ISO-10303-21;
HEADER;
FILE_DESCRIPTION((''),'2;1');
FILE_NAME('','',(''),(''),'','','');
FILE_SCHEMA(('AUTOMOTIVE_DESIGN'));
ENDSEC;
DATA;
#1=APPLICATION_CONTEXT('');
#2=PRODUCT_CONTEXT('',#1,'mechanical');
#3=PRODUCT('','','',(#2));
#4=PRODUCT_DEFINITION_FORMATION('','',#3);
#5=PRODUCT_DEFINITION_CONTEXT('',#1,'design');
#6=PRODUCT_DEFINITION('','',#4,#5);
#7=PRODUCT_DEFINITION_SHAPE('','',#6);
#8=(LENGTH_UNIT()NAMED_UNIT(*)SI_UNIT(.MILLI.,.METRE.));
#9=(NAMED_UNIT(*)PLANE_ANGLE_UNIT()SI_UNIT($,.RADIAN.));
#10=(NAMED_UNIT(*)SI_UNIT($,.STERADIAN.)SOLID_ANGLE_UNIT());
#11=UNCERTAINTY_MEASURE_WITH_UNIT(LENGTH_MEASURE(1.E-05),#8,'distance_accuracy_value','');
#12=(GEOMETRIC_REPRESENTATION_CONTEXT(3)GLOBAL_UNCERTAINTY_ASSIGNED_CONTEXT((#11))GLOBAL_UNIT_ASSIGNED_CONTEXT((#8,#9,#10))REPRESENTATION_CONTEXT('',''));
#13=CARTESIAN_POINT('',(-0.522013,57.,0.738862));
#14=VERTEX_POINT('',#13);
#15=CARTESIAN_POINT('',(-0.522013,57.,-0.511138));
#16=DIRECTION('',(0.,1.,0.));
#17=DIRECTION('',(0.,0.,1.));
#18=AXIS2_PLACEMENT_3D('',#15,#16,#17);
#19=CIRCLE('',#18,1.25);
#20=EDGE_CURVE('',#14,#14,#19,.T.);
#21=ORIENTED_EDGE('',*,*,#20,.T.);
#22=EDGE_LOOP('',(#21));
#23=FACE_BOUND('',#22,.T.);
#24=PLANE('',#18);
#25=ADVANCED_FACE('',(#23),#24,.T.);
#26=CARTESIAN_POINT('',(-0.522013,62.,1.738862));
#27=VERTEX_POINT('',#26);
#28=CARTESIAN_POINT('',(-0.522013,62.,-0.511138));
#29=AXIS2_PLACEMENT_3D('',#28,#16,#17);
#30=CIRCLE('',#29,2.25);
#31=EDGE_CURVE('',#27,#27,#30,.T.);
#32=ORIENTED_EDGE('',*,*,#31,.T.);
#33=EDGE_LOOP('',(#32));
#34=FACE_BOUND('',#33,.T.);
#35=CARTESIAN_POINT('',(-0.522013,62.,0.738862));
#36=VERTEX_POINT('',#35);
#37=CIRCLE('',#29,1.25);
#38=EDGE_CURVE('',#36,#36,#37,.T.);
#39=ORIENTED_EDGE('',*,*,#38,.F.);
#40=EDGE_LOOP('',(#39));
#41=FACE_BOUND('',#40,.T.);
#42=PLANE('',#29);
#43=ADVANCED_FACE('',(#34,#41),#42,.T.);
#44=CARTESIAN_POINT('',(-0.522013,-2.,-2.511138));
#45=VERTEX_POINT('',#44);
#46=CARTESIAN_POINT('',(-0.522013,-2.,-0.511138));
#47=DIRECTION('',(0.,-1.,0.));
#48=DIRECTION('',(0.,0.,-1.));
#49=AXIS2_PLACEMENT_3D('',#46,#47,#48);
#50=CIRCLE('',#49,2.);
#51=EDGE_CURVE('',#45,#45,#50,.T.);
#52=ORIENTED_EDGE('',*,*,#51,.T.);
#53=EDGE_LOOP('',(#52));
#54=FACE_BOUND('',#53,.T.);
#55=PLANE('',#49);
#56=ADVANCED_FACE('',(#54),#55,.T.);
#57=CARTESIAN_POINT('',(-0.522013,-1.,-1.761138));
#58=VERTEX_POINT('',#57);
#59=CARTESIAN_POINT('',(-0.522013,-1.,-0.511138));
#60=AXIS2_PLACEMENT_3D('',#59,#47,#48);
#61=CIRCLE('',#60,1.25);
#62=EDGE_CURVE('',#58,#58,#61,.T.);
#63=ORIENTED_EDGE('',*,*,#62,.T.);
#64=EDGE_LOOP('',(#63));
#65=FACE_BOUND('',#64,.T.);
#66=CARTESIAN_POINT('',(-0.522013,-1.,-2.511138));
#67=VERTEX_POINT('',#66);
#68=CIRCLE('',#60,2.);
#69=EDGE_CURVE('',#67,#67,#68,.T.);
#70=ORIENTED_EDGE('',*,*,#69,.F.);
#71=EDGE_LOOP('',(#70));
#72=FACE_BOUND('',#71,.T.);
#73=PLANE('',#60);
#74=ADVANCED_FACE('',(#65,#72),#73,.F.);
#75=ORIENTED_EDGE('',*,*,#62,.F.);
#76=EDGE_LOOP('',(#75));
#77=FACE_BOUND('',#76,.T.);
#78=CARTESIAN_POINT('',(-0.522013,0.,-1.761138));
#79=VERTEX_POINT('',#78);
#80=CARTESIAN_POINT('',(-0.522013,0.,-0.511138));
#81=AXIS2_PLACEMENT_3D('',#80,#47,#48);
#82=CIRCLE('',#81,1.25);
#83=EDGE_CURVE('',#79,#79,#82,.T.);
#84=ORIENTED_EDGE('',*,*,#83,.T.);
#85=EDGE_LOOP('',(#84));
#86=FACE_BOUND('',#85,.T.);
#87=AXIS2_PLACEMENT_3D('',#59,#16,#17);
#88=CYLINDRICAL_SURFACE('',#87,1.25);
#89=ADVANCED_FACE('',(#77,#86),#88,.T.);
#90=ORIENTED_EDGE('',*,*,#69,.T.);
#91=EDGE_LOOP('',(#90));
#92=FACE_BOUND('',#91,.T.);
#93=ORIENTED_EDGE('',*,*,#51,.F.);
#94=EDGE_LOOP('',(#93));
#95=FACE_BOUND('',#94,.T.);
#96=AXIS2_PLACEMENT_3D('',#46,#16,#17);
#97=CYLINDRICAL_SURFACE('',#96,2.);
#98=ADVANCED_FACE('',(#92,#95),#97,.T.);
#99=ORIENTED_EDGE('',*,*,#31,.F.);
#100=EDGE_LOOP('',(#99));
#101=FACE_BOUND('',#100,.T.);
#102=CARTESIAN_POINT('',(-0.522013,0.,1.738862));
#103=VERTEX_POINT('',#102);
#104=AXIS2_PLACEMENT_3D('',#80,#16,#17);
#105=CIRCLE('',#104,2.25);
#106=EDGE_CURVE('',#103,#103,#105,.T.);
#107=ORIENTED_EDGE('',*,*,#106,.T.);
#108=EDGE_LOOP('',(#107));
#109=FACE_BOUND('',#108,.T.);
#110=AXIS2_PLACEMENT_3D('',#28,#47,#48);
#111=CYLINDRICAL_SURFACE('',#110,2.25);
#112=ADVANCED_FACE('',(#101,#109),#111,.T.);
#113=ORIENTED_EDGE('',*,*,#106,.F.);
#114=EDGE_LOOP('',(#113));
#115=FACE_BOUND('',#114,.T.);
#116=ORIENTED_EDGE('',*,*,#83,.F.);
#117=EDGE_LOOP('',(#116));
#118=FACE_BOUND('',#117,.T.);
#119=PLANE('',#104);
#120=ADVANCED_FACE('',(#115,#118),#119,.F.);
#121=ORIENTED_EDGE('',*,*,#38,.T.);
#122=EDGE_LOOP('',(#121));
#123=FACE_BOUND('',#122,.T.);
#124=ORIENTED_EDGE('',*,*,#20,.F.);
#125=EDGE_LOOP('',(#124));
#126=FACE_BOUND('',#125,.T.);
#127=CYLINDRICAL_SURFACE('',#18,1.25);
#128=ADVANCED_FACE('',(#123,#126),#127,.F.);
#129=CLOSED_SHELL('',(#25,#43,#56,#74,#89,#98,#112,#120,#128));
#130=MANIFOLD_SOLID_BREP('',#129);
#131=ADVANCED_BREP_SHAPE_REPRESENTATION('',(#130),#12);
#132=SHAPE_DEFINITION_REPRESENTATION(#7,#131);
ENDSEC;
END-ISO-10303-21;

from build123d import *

# Parameters (mm, degrees)
SKETCH1_R           = 2.25
BOSS_EXTRUDE1_DEPTH = 62
SKETCH1_3_R         = 1
BOSS_EXTRUDE2_DEPTH = 1
SKETCH5_R           = 1.25
BOSS_EXTRUDE3_DEPTH = 1
SKETCH6_R           = 2
BOSS_EXTRUDE4_DEPTH = 1
SKETCH12_R          = 1.25
CUT_EXTRUDE1_DEPTH  = 5


with BuildPart() as part:
    # Sketch1 → Boss-Extrude1 (new body)
    with BuildSketch(Plane(origin=(0, 0, 0), x_dir=(1, 0, 0), z_dir=(0, 1, 0))):
        with Locations((-0.522013312, 0.511138034)):
            Circle(SKETCH1_R)
    extrude(amount=BOSS_EXTRUDE1_DEPTH)

    # Sketch1<3> → Boss-Extrude2 (add)
    with BuildSketch(Plane(origin=(0, 0, 0), x_dir=(1, 0, 0), z_dir=(0, 1, 0))):
        with Locations((-0.522013312, 0.511138034)):
            Circle(SKETCH1_3_R)
    extrude(amount=BOSS_EXTRUDE2_DEPTH)

    # Sketch5 → Boss-Extrude3 (add)
    with BuildSketch(Plane.XZ):
        with Locations((-0.522013312, -0.511138034)):
            Circle(SKETCH5_R)
    extrude(amount=BOSS_EXTRUDE3_DEPTH)

    # Sketch6 → Boss-Extrude4 (add)
    with BuildSketch(Plane.XZ.offset(1)):
        with Locations((-0.522013312, -0.511138034)):
            Circle(SKETCH6_R)
    extrude(amount=BOSS_EXTRUDE4_DEPTH)

    # Sketch12 → Cut-Extrude1 (cut)
    with BuildSketch(Plane(origin=(0, 62, 0), x_dir=(1, 0, 0), z_dir=(0, 1, 0))):
        with Locations((-0.522013312, 0.511138034)):
            Circle(SKETCH12_R)
    extrude(amount=-CUT_EXTRUDE1_DEPTH, mode=Mode.SUBTRACT)


solid = part.part
